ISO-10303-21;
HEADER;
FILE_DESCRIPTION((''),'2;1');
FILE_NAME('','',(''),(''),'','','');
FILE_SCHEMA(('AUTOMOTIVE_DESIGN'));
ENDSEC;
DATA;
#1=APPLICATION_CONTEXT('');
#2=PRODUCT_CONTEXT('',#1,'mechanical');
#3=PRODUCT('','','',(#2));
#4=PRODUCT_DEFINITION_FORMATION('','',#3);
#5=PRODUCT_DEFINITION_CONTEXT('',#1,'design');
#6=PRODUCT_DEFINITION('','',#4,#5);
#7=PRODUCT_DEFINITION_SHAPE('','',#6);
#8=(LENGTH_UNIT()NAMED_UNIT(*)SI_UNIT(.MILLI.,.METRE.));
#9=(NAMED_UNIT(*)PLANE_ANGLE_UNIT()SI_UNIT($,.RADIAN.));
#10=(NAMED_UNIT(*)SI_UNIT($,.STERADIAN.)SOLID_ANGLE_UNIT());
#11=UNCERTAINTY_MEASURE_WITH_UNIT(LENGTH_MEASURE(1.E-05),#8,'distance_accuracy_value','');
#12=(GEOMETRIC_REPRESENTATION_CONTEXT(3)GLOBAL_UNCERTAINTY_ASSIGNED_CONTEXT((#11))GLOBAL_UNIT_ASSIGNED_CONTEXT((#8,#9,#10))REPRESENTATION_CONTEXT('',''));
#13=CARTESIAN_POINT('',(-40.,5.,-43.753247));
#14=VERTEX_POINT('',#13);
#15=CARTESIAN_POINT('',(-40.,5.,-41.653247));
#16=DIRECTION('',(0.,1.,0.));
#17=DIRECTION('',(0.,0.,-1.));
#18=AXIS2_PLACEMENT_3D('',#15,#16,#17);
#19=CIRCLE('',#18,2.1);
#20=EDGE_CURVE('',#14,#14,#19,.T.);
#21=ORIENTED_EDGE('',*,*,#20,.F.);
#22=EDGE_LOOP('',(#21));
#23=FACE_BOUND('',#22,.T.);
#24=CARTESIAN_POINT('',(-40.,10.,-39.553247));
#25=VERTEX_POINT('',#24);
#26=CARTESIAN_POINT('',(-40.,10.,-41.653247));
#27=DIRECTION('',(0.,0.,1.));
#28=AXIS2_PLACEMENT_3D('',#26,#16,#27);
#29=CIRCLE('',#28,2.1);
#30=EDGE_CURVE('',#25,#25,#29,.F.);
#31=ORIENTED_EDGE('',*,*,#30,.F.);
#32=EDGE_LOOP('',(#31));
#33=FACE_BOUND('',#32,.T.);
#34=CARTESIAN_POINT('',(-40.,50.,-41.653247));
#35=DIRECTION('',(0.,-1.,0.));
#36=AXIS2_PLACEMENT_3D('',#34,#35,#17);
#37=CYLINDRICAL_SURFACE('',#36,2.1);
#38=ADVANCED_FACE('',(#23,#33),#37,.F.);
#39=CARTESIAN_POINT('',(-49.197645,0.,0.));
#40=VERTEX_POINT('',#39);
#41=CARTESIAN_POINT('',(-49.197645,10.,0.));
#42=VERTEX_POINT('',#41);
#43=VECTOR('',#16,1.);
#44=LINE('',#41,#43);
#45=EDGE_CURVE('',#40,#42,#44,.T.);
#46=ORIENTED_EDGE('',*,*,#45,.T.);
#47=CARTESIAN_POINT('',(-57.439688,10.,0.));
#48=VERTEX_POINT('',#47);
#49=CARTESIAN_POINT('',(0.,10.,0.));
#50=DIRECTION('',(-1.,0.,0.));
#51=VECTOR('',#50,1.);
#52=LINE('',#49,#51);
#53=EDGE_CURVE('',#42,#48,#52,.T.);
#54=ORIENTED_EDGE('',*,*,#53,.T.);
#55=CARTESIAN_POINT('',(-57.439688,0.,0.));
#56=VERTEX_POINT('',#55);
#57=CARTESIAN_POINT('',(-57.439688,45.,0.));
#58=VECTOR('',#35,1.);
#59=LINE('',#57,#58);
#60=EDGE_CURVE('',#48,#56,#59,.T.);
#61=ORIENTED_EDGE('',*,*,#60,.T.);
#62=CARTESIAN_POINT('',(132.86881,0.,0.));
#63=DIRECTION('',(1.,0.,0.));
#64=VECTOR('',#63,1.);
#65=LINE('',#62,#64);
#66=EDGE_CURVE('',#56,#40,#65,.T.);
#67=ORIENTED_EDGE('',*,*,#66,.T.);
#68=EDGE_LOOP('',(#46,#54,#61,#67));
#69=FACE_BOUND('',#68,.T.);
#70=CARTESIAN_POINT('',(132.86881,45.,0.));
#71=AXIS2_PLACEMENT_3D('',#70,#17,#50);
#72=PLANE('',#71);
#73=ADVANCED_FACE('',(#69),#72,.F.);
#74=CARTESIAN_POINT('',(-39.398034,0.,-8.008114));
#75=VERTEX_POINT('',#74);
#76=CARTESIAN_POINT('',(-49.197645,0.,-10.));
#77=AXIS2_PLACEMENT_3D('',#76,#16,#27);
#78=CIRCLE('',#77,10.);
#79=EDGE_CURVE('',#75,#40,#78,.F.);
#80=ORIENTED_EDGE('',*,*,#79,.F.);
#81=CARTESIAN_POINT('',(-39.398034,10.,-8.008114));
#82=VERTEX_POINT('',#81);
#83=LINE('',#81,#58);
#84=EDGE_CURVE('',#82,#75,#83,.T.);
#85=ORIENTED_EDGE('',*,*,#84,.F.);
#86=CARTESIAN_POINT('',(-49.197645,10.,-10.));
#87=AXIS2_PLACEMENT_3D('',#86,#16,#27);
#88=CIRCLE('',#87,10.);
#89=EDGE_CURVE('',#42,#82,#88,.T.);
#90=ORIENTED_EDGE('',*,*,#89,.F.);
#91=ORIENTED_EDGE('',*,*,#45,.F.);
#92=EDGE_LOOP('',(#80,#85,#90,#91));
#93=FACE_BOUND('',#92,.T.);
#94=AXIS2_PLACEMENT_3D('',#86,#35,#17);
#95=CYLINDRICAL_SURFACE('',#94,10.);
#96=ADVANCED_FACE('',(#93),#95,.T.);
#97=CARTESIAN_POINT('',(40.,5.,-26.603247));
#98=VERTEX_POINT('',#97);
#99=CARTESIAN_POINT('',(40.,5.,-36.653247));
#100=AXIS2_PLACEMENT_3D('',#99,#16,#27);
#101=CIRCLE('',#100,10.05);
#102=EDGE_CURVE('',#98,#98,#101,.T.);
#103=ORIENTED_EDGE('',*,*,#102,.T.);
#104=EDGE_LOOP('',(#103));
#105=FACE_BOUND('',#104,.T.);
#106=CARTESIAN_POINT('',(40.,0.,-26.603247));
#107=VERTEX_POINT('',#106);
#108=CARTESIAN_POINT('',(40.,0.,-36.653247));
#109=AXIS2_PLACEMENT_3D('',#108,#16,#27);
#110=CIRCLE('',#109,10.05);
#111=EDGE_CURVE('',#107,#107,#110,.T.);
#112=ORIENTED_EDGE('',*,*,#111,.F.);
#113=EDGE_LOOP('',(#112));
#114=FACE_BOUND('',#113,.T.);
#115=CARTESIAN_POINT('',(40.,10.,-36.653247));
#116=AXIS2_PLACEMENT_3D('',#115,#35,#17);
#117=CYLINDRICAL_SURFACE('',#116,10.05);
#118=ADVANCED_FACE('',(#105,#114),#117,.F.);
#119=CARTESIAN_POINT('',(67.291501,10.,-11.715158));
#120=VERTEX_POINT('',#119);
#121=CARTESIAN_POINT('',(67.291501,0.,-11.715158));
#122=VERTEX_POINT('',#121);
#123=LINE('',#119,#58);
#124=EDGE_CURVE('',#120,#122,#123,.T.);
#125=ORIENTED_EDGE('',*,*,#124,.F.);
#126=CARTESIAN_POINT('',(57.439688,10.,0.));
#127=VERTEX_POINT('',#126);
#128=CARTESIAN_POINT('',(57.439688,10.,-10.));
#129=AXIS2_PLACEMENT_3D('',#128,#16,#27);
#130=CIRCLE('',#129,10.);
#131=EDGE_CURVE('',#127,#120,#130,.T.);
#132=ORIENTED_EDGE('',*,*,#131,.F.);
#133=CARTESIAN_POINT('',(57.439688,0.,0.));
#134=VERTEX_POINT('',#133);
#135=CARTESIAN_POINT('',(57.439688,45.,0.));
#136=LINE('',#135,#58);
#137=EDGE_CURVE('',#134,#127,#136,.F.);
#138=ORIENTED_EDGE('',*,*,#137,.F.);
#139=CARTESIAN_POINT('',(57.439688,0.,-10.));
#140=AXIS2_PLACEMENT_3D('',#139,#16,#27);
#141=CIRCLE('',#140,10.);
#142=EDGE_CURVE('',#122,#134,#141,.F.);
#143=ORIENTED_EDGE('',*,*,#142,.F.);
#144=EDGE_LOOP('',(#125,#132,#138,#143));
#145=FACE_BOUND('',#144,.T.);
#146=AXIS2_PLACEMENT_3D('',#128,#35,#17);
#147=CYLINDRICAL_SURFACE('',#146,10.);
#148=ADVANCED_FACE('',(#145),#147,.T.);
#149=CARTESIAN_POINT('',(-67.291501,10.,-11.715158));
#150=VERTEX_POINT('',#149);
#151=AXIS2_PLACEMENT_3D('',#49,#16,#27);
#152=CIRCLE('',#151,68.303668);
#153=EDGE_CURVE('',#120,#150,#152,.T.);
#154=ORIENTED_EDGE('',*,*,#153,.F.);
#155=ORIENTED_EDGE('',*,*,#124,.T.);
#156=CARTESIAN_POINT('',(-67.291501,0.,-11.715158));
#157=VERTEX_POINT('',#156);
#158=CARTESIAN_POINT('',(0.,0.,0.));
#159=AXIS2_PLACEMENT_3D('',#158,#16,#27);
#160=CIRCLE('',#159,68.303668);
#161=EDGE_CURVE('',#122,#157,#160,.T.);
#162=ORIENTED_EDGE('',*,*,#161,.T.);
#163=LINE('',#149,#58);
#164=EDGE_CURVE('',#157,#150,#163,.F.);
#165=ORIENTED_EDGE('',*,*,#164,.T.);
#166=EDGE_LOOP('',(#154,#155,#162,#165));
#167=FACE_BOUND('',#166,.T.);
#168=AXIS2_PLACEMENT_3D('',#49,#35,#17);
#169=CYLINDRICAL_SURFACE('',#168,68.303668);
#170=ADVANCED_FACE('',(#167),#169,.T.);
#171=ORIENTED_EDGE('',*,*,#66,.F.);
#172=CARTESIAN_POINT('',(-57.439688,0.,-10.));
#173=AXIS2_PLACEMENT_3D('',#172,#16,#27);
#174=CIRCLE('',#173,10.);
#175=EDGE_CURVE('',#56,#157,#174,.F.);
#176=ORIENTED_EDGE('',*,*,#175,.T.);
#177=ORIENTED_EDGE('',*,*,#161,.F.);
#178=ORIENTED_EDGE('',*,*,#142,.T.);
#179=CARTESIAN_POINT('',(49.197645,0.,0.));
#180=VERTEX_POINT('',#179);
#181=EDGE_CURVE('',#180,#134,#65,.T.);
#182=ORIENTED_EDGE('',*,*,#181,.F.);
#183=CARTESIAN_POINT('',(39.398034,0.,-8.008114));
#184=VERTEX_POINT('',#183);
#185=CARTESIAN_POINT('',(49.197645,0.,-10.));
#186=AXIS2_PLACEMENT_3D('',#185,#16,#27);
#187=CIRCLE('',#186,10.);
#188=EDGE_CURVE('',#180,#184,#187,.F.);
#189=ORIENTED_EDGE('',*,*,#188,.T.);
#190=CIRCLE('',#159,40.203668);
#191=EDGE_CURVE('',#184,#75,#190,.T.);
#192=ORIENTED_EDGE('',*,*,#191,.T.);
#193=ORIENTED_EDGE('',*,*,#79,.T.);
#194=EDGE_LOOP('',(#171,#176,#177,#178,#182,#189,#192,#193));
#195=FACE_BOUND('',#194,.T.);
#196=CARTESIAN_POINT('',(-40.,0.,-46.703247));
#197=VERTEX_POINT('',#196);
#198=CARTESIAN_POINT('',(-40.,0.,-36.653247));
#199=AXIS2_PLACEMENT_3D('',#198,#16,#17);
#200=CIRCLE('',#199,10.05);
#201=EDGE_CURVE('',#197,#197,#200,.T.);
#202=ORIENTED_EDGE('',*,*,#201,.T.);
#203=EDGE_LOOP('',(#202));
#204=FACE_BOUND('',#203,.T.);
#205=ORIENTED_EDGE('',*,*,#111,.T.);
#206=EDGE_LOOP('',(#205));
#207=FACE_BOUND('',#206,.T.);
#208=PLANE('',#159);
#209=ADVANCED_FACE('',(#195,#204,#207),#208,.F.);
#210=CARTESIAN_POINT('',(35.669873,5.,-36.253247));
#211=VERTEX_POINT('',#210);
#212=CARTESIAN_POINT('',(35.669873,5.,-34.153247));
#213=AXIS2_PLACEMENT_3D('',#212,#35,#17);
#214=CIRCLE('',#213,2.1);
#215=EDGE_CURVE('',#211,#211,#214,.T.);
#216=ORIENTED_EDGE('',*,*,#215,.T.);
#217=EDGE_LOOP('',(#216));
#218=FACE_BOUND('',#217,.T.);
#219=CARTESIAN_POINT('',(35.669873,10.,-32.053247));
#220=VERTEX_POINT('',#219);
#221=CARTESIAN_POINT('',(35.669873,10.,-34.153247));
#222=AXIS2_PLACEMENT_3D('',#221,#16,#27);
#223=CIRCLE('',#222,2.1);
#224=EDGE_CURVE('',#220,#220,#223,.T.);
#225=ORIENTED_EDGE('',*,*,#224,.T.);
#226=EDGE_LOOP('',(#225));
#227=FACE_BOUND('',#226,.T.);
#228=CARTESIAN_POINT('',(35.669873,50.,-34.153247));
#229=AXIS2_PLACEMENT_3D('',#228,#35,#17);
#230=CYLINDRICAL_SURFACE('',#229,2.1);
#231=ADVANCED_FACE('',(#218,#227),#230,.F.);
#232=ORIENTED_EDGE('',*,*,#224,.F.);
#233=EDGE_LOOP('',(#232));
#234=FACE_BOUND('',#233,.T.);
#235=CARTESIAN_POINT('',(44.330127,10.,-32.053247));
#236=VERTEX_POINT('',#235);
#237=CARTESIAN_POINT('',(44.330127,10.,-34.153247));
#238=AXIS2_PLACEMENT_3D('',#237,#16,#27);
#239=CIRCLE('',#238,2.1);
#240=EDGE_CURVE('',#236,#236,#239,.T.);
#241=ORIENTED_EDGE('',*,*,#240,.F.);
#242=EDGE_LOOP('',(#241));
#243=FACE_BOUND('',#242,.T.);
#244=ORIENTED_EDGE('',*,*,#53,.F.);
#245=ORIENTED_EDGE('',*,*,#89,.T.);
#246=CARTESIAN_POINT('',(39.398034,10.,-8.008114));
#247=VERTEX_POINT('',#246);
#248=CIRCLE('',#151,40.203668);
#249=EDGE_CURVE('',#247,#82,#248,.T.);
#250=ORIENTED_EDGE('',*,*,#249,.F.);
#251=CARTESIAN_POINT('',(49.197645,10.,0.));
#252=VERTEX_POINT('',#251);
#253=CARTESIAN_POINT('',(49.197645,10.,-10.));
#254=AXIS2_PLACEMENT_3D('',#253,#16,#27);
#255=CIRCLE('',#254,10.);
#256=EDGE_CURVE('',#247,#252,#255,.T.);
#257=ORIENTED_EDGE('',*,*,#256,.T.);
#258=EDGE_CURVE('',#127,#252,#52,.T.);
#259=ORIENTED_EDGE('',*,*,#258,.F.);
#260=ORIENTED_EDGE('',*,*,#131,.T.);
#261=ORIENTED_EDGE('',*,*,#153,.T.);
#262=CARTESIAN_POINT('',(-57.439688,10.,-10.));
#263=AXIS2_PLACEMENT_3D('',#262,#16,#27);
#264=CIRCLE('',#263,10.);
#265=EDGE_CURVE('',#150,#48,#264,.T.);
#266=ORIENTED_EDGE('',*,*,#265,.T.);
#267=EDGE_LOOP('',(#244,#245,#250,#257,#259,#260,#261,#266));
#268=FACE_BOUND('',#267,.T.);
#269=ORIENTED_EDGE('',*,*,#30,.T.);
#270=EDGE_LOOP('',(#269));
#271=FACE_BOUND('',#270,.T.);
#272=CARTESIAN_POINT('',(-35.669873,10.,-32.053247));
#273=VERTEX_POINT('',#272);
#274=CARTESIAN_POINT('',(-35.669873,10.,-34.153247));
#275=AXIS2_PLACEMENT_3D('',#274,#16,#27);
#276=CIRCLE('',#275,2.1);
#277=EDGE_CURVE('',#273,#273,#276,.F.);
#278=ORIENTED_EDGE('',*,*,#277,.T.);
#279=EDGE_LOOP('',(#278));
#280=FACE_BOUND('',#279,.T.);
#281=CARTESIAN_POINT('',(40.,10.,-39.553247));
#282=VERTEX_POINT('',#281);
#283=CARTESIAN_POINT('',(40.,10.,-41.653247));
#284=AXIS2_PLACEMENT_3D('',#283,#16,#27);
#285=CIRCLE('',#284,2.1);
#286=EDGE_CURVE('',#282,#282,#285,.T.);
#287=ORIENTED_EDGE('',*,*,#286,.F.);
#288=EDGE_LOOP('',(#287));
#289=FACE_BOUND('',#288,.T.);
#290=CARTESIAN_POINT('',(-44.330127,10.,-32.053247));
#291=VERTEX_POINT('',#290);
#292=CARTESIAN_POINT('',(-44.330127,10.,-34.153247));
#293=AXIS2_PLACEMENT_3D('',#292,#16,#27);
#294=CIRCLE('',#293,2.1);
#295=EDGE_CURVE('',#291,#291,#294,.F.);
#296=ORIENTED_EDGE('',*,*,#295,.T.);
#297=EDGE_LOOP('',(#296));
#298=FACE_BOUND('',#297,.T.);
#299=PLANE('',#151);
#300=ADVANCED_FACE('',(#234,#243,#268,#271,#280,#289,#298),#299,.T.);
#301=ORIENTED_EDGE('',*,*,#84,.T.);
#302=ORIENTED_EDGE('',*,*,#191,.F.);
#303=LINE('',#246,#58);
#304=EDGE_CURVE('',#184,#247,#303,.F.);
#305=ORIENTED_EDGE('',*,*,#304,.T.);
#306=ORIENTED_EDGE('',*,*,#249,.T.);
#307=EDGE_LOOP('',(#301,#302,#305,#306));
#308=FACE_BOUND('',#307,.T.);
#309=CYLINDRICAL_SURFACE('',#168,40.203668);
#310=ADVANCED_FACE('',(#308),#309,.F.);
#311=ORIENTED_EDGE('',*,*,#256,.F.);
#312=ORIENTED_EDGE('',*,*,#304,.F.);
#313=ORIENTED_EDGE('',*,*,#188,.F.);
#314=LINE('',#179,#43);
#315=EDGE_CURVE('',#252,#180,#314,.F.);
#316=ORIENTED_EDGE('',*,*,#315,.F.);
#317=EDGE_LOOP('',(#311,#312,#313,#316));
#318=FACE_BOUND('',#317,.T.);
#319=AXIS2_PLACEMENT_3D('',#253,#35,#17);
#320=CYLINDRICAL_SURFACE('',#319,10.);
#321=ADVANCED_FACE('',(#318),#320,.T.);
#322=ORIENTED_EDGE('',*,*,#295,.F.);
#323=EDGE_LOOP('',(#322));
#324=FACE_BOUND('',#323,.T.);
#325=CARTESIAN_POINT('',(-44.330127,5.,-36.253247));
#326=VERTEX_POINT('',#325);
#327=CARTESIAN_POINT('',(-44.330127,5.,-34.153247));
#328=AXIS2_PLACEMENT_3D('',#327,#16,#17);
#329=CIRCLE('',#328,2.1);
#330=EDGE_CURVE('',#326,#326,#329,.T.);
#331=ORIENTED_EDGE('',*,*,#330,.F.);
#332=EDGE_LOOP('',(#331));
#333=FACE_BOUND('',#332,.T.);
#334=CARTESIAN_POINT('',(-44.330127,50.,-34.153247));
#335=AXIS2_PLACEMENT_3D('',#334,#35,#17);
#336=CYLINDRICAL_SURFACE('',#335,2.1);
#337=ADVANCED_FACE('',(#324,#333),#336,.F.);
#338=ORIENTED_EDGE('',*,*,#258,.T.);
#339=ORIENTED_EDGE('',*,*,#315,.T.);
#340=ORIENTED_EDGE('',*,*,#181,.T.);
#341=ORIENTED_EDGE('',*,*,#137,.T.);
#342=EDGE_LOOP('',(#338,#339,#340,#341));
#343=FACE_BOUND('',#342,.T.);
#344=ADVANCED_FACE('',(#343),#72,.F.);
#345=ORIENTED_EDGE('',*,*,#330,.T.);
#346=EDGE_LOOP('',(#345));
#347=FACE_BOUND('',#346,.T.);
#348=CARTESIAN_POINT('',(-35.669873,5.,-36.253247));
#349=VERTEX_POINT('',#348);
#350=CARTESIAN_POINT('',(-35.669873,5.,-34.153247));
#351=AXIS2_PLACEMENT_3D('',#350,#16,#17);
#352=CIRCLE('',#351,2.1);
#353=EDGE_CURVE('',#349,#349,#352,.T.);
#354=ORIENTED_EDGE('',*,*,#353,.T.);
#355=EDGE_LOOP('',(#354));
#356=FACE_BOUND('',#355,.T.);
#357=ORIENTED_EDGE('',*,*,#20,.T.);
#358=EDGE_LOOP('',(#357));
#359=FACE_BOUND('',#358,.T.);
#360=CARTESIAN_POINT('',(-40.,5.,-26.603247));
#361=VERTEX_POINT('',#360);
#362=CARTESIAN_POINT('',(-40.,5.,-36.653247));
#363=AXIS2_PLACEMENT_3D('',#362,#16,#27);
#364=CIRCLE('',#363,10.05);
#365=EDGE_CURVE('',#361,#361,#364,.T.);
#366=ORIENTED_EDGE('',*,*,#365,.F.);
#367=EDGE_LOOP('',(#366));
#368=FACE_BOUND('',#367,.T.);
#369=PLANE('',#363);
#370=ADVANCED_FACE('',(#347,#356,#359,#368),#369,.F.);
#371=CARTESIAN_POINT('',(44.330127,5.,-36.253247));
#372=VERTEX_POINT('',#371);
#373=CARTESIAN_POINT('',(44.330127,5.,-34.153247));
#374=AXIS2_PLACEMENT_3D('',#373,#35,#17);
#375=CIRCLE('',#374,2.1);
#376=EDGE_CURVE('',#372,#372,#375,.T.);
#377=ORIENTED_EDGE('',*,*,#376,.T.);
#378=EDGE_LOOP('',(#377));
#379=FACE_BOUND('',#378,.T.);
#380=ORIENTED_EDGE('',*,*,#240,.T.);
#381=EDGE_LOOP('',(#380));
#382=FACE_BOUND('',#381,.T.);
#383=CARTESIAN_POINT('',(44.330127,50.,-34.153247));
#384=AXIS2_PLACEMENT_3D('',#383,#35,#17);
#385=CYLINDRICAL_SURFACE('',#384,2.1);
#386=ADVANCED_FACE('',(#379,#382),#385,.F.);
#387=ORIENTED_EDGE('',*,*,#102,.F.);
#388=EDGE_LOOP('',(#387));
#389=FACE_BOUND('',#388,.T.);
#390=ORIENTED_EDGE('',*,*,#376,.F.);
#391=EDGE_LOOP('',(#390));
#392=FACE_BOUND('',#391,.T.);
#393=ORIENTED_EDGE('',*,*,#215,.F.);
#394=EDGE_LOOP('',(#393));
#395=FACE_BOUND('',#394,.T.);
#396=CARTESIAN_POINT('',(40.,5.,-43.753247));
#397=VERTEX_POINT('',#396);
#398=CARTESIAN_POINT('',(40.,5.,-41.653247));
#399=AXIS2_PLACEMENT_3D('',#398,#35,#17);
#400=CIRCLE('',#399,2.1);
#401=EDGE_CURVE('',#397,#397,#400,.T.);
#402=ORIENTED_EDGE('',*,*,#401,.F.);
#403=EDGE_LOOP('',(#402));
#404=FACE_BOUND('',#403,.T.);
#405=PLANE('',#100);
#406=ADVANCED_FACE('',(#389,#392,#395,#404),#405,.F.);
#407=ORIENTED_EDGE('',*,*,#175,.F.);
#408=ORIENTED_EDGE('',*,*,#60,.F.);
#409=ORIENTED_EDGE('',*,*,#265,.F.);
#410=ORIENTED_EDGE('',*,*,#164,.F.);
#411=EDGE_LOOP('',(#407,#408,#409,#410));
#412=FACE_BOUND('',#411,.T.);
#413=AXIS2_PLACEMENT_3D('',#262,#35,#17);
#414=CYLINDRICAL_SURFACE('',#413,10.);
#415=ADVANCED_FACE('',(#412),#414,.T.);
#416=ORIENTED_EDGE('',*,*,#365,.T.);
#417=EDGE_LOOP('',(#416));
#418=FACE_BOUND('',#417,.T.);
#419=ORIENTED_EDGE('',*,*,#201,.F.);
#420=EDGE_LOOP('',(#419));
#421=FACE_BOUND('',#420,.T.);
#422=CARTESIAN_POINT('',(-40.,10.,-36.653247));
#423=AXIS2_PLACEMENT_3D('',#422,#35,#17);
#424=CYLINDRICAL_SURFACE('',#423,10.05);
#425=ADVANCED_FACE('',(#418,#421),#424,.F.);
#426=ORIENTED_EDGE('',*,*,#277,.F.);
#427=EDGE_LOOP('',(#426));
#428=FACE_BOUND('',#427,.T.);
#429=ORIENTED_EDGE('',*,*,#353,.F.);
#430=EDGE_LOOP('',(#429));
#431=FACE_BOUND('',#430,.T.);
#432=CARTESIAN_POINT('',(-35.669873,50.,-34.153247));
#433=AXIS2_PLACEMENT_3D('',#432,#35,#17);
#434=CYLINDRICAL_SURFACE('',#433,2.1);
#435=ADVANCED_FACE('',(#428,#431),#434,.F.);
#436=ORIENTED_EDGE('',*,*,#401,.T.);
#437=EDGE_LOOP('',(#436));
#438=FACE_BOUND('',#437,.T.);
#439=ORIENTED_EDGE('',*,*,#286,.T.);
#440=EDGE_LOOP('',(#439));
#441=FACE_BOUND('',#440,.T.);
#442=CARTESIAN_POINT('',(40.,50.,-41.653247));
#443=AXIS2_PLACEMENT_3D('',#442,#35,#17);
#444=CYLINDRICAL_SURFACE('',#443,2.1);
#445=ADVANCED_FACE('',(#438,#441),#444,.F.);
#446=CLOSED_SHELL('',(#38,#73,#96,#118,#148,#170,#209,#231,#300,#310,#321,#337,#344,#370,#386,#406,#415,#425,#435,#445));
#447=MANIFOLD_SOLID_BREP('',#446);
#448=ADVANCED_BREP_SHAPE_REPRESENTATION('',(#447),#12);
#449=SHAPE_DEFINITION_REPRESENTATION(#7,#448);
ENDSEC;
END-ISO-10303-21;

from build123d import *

# Parameters (mm, degrees)
SKETCH_2_R          = 68.303668196
SKETCH_2_R_2        = 10.05
SKETCH_2_R_3        = 40.203668196
EXTRUDE_1_DEPTH     = 10
EXTRUDE_START       = -5
SKETCH_3_R          = 10.05
EXTRUDE_2_DEPTH     = 5
SKETCH_4_W          = 280.2912044
SKETCH_4_H          = 106.849461173
CUT_EXTRUDE_2_DEPTH = 45
SKETCH_5_R          = 2.1
CUT_EXTRUDE_3_DEPTH = 45
FILLET_1_R          = 10


with BuildPart() as part:
    # 草图2 → 凸台-拉伸1 (new body)
    with BuildSketch(Plane(origin=(0, 0, 0), x_dir=(1, 0, 0), z_dir=(0, 1, 0))):
        with Locations(Location((0, 0, 0), (0, 0, 270))):
            Circle(SKETCH_2_R)
        with Locations(Location((40, 36.653246961, 0), (0, 0, 270))):
            Circle(SKETCH_2_R_2, mode=Mode.SUBTRACT)
        with Locations(Location((0, 0, 0), (0, 0, 270))):
            Circle(SKETCH_2_R_3, mode=Mode.SUBTRACT)
        with Locations(Location((-40, 36.653246961, 0), (0, 0, 90))):
            Circle(SKETCH_2_R_2, mode=Mode.SUBTRACT)
    extrude(amount=EXTRUDE_1_DEPTH)

    # 草图3 → 凸台-拉伸2 (add)
    with BuildSketch(Plane(origin=(0, 10, 0), x_dir=(1, 0, 0), z_dir=(0, 1, 0)).offset(EXTRUDE_START)):
        with Locations(Location((-40, 36.653246961, 0), (0, 0, 90))):
            Circle(SKETCH_3_R)
        with Locations(Location((40, 36.653246961, 0), (0, 0, 270))):
            Circle(SKETCH_3_R)
    extrude(amount=EXTRUDE_2_DEPTH)

    # 草图4 → 切除-拉伸2 (cut)
    with BuildSketch(Plane(origin=(0, 0, 0), x_dir=(-1, 0, 0), z_dir=(0, -1, 0))):
        with Locations((7.276792676, -53.424730587)):
            Rectangle(SKETCH_4_W, SKETCH_4_H)
    extrude(amount=-CUT_EXTRUDE_2_DEPTH, mode=Mode.SUBTRACT)

    # 草图5 → 切除-拉伸3 (cut)
    with BuildSketch(Plane(origin=(0, 5, 0), x_dir=(-1, 0, 0), z_dir=(0, -1, 0))):
        with Locations(Location((-40, 41.653246961, 0), (0, 0, 90))):
            Circle(SKETCH_5_R)
        with Locations(Location((-35.669872981, 34.153246961, 0), (0, 0, 90))):
            Circle(SKETCH_5_R)
        with Locations(Location((-44.330127019, 34.153246961, 0), (0, 0, 90))):
            Circle(SKETCH_5_R)
    cut_extrude_3 = extrude(amount=-CUT_EXTRUDE_3_DEPTH, mode=Mode.SUBTRACT)

    # 镜向1: 切除-拉伸3 across plane
    add(cut_extrude_3.mirror(Plane(origin=(0, 0, 0), x_dir=(0, 0, 1), z_dir=(1, 0, 0))), mode=Mode.SUBTRACT)

    # 圆角1
    fillet_1_edges = [part.edges().sort_by_distance(p)[0] for p in [
        (-40.203668196, 5, 0),
        (40.203668196, 5, 0),
        (68.303668196, 5, 0),
        (-68.303668196, 5, 0),
    ]]
    fillet(fillet_1_edges, radius=FILLET_1_R)


solid = part.part
